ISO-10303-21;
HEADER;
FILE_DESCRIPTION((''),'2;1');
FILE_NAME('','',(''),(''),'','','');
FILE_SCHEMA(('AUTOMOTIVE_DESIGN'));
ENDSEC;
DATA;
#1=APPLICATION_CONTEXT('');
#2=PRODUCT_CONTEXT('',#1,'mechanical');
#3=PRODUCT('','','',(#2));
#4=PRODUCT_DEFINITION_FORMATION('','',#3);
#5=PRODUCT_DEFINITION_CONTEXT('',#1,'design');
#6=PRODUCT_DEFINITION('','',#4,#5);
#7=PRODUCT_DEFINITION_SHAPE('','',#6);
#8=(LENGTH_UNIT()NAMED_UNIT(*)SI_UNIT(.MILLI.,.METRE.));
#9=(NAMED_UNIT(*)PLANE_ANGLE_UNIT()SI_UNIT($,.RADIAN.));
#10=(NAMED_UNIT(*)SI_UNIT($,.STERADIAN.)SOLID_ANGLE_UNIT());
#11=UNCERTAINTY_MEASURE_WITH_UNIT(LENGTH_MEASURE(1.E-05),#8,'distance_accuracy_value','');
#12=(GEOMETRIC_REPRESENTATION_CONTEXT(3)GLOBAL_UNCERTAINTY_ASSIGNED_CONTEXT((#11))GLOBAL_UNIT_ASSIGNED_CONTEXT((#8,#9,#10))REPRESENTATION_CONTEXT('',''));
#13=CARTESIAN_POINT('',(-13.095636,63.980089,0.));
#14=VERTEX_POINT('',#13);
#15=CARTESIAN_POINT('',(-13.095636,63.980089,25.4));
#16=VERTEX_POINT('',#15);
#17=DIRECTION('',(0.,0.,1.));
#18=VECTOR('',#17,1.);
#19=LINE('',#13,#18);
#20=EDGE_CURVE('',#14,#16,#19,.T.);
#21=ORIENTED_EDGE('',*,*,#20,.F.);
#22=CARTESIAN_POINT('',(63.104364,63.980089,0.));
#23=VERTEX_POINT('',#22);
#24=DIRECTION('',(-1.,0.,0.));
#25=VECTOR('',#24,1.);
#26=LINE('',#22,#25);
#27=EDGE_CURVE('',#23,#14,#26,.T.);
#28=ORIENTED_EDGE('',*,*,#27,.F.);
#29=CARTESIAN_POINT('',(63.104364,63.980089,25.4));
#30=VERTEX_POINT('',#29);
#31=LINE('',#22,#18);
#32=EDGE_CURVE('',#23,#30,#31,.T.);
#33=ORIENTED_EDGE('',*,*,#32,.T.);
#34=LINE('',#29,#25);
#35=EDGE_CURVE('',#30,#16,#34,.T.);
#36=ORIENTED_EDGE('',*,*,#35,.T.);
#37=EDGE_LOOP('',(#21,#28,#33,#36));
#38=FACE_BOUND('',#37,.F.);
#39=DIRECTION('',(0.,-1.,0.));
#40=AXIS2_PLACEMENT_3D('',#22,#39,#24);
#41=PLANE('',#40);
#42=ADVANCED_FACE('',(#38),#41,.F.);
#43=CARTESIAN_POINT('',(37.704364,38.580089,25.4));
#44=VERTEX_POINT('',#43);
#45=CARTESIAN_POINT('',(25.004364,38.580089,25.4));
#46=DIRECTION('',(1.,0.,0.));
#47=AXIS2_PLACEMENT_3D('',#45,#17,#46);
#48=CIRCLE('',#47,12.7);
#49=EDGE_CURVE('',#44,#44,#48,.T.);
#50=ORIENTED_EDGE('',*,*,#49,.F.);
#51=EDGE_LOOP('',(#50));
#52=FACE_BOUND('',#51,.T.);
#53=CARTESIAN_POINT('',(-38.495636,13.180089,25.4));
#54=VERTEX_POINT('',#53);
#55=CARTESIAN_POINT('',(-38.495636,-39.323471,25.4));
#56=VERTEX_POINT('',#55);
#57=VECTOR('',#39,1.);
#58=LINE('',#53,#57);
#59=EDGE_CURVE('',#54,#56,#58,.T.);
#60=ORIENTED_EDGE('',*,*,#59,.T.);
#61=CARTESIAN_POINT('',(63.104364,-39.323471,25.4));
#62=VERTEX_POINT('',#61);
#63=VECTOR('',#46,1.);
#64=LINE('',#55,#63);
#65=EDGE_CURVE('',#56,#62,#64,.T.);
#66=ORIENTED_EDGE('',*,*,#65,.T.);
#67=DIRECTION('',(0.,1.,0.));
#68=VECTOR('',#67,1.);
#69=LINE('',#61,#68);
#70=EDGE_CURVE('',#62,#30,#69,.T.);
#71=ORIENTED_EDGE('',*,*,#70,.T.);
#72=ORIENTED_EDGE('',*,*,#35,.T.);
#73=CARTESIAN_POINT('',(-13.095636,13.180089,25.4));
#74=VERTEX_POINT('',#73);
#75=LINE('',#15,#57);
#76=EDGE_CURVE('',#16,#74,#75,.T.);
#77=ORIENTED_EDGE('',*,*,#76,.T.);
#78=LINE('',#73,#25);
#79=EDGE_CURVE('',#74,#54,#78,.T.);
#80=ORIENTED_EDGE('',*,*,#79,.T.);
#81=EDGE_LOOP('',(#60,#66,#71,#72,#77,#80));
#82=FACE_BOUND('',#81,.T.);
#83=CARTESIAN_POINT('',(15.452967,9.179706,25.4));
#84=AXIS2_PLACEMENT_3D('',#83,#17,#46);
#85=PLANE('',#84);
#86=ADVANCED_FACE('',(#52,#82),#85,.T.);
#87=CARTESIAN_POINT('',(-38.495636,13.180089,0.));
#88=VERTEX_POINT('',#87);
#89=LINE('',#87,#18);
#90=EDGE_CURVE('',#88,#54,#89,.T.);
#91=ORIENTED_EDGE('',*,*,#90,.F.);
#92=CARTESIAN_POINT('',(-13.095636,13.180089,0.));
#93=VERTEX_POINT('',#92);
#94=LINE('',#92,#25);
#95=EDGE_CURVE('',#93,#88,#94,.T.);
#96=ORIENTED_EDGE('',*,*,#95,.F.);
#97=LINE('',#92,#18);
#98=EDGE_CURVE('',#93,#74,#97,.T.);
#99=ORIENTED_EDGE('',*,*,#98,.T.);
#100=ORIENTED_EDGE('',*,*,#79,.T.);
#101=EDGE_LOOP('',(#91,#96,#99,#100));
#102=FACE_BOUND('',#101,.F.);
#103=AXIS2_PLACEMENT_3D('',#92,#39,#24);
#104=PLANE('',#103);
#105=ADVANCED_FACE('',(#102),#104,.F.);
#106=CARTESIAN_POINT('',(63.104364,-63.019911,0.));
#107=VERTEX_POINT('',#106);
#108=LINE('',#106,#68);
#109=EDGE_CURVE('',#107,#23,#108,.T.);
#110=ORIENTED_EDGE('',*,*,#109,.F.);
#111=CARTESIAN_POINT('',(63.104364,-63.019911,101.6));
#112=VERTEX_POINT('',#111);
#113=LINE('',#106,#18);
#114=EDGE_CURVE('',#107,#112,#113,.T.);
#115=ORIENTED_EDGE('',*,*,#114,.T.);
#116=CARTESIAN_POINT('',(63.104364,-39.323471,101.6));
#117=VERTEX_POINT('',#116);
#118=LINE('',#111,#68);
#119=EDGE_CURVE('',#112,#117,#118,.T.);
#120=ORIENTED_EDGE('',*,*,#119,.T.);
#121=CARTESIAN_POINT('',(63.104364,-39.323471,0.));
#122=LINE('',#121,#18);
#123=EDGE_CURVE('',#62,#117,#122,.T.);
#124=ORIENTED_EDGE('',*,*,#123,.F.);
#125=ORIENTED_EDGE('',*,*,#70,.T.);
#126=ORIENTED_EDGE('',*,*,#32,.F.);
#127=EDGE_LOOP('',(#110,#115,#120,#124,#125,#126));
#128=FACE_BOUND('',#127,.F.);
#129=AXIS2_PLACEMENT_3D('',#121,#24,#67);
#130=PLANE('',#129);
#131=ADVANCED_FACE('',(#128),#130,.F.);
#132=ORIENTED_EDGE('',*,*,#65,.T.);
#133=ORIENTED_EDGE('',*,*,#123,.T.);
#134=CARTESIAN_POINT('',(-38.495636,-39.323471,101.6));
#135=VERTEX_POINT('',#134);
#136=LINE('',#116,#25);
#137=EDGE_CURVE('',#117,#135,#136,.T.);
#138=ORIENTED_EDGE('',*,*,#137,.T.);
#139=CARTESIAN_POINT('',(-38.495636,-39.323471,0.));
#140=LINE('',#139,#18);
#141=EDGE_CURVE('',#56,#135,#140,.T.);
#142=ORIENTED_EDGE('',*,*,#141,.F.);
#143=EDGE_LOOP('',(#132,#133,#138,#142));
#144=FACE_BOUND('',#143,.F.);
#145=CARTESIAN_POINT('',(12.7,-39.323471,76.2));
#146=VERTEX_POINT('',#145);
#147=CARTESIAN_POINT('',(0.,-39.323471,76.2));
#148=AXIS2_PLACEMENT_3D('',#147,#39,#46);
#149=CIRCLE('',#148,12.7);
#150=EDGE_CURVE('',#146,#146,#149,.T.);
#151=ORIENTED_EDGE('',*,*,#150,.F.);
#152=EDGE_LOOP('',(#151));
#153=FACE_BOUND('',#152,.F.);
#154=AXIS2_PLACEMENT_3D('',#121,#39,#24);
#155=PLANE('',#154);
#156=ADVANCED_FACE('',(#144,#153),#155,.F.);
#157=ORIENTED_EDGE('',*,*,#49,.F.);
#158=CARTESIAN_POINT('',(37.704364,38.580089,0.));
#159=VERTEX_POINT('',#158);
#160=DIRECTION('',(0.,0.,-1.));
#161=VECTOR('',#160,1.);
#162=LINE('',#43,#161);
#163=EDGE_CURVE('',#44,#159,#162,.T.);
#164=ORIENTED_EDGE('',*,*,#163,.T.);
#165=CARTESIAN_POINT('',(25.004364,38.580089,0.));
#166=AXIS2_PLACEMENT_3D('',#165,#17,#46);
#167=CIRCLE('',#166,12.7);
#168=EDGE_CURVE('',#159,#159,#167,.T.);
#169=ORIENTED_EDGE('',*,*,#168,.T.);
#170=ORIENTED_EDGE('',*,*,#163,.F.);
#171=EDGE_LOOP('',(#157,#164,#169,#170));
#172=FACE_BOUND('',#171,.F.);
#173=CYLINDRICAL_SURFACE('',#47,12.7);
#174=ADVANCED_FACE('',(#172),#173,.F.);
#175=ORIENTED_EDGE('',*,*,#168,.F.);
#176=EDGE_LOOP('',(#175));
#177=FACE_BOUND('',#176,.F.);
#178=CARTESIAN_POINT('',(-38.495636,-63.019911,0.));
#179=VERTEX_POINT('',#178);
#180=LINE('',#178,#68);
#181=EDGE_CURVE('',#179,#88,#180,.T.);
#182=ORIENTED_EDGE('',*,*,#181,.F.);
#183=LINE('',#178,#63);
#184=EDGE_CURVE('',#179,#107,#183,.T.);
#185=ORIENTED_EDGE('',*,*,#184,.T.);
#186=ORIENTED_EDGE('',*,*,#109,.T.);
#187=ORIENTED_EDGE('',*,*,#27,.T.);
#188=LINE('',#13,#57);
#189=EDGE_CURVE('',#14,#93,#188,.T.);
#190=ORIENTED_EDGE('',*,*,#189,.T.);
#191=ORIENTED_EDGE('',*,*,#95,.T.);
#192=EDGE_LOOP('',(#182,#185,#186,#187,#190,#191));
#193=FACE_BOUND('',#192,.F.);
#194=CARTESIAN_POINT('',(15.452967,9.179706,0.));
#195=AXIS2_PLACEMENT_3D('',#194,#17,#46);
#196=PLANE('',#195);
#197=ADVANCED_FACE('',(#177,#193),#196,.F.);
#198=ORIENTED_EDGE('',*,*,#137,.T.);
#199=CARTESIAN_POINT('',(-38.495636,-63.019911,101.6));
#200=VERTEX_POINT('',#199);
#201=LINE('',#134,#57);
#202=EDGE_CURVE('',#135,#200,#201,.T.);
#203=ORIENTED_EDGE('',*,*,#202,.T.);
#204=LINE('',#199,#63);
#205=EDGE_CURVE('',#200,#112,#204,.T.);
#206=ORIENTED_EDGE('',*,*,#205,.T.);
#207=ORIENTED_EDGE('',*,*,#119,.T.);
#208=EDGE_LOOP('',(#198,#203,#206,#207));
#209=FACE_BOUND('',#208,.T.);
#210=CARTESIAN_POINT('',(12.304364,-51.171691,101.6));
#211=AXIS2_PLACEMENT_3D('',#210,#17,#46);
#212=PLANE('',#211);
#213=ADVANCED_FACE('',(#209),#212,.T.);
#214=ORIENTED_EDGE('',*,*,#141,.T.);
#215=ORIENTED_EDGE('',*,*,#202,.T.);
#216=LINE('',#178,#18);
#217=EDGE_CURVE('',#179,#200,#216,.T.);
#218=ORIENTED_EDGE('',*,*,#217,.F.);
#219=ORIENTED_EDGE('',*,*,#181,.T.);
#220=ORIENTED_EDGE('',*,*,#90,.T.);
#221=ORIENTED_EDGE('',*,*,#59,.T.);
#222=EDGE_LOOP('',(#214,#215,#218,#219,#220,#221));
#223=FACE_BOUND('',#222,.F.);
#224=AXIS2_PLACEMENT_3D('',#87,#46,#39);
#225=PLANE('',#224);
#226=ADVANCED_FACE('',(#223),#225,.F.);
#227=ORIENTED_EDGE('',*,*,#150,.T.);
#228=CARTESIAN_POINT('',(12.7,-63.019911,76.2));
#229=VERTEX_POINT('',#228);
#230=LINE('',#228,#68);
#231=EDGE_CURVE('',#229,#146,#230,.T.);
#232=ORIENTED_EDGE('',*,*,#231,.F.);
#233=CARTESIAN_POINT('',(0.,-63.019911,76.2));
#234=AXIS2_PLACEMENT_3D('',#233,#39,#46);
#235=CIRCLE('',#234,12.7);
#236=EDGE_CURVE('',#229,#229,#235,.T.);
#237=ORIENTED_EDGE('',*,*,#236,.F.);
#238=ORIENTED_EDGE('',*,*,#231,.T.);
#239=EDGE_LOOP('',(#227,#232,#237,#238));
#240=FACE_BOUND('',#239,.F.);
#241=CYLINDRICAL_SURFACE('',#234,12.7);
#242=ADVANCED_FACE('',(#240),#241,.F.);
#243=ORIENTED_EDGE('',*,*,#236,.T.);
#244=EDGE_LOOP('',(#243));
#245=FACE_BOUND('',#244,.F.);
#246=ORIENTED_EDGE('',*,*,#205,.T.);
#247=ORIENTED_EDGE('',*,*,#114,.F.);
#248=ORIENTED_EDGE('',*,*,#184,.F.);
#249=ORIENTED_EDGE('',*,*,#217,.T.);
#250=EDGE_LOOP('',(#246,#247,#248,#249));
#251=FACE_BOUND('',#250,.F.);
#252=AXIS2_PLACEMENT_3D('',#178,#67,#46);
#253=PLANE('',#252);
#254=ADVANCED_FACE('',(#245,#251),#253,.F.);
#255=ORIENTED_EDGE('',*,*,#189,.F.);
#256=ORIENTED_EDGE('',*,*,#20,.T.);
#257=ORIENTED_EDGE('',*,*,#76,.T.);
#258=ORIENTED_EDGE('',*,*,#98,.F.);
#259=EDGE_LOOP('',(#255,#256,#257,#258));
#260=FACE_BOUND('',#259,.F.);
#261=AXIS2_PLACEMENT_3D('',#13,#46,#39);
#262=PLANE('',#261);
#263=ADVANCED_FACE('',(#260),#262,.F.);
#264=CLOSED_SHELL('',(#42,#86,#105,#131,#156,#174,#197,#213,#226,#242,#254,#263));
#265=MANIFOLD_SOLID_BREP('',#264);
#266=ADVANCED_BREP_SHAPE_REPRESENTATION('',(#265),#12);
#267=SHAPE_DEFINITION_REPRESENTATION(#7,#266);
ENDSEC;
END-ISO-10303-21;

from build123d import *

# Parameters (mm, degrees)
F1_DEPTH = 101.6
F2_DEPTH = 25.4
F3_R     = 12.7
F4_DEPTH = 127.001
F5_R     = 12.7
F6_DEPTH = 25.401


with BuildPart() as f1:
    # F0 (on Top) → F1 (new body)
    with BuildSketch(Plane.XY):
        Polygon((63.1043637723, -63.0199108629), (63.1043637723, -39.3234714866), (-38.4956362277, -39.3234714866), (-38.4956362277, -63.0199108629), (38.0817614496, -63.0199108629), align=None)
    extrude(amount=F1_DEPTH)

    # F0 (on Top) → F2 (join)
    with BuildSketch(Plane.XY):
        Polygon((63.1043637723, 63.9800891371), (-13.0956362277, 63.9800891371), (-13.0956362277, 13.1800891371), (-38.4956362277, 13.1800891371), (-38.4956362277, -39.3234714866), (63.1043637723, -39.3234714866), align=None)
    extrude(amount=F2_DEPTH)

    # F3 (on face) → F4 (cut, through all)
    with BuildSketch(Plane.XZ.offset(63.0199108629)):
        with Locations((0, 76.2)):
            Circle(F3_R)
    extrude(amount=-F4_DEPTH, mode=Mode.SUBTRACT)

    # F5 (on face) → F6 (cut, through all)
    with BuildSketch(Plane.XY.offset(25.4)):
        with Locations((25.0043637723, 38.5800891371)):
            Circle(F5_R)
    extrude(amount=-F6_DEPTH, mode=Mode.SUBTRACT)


solid = f1.part
